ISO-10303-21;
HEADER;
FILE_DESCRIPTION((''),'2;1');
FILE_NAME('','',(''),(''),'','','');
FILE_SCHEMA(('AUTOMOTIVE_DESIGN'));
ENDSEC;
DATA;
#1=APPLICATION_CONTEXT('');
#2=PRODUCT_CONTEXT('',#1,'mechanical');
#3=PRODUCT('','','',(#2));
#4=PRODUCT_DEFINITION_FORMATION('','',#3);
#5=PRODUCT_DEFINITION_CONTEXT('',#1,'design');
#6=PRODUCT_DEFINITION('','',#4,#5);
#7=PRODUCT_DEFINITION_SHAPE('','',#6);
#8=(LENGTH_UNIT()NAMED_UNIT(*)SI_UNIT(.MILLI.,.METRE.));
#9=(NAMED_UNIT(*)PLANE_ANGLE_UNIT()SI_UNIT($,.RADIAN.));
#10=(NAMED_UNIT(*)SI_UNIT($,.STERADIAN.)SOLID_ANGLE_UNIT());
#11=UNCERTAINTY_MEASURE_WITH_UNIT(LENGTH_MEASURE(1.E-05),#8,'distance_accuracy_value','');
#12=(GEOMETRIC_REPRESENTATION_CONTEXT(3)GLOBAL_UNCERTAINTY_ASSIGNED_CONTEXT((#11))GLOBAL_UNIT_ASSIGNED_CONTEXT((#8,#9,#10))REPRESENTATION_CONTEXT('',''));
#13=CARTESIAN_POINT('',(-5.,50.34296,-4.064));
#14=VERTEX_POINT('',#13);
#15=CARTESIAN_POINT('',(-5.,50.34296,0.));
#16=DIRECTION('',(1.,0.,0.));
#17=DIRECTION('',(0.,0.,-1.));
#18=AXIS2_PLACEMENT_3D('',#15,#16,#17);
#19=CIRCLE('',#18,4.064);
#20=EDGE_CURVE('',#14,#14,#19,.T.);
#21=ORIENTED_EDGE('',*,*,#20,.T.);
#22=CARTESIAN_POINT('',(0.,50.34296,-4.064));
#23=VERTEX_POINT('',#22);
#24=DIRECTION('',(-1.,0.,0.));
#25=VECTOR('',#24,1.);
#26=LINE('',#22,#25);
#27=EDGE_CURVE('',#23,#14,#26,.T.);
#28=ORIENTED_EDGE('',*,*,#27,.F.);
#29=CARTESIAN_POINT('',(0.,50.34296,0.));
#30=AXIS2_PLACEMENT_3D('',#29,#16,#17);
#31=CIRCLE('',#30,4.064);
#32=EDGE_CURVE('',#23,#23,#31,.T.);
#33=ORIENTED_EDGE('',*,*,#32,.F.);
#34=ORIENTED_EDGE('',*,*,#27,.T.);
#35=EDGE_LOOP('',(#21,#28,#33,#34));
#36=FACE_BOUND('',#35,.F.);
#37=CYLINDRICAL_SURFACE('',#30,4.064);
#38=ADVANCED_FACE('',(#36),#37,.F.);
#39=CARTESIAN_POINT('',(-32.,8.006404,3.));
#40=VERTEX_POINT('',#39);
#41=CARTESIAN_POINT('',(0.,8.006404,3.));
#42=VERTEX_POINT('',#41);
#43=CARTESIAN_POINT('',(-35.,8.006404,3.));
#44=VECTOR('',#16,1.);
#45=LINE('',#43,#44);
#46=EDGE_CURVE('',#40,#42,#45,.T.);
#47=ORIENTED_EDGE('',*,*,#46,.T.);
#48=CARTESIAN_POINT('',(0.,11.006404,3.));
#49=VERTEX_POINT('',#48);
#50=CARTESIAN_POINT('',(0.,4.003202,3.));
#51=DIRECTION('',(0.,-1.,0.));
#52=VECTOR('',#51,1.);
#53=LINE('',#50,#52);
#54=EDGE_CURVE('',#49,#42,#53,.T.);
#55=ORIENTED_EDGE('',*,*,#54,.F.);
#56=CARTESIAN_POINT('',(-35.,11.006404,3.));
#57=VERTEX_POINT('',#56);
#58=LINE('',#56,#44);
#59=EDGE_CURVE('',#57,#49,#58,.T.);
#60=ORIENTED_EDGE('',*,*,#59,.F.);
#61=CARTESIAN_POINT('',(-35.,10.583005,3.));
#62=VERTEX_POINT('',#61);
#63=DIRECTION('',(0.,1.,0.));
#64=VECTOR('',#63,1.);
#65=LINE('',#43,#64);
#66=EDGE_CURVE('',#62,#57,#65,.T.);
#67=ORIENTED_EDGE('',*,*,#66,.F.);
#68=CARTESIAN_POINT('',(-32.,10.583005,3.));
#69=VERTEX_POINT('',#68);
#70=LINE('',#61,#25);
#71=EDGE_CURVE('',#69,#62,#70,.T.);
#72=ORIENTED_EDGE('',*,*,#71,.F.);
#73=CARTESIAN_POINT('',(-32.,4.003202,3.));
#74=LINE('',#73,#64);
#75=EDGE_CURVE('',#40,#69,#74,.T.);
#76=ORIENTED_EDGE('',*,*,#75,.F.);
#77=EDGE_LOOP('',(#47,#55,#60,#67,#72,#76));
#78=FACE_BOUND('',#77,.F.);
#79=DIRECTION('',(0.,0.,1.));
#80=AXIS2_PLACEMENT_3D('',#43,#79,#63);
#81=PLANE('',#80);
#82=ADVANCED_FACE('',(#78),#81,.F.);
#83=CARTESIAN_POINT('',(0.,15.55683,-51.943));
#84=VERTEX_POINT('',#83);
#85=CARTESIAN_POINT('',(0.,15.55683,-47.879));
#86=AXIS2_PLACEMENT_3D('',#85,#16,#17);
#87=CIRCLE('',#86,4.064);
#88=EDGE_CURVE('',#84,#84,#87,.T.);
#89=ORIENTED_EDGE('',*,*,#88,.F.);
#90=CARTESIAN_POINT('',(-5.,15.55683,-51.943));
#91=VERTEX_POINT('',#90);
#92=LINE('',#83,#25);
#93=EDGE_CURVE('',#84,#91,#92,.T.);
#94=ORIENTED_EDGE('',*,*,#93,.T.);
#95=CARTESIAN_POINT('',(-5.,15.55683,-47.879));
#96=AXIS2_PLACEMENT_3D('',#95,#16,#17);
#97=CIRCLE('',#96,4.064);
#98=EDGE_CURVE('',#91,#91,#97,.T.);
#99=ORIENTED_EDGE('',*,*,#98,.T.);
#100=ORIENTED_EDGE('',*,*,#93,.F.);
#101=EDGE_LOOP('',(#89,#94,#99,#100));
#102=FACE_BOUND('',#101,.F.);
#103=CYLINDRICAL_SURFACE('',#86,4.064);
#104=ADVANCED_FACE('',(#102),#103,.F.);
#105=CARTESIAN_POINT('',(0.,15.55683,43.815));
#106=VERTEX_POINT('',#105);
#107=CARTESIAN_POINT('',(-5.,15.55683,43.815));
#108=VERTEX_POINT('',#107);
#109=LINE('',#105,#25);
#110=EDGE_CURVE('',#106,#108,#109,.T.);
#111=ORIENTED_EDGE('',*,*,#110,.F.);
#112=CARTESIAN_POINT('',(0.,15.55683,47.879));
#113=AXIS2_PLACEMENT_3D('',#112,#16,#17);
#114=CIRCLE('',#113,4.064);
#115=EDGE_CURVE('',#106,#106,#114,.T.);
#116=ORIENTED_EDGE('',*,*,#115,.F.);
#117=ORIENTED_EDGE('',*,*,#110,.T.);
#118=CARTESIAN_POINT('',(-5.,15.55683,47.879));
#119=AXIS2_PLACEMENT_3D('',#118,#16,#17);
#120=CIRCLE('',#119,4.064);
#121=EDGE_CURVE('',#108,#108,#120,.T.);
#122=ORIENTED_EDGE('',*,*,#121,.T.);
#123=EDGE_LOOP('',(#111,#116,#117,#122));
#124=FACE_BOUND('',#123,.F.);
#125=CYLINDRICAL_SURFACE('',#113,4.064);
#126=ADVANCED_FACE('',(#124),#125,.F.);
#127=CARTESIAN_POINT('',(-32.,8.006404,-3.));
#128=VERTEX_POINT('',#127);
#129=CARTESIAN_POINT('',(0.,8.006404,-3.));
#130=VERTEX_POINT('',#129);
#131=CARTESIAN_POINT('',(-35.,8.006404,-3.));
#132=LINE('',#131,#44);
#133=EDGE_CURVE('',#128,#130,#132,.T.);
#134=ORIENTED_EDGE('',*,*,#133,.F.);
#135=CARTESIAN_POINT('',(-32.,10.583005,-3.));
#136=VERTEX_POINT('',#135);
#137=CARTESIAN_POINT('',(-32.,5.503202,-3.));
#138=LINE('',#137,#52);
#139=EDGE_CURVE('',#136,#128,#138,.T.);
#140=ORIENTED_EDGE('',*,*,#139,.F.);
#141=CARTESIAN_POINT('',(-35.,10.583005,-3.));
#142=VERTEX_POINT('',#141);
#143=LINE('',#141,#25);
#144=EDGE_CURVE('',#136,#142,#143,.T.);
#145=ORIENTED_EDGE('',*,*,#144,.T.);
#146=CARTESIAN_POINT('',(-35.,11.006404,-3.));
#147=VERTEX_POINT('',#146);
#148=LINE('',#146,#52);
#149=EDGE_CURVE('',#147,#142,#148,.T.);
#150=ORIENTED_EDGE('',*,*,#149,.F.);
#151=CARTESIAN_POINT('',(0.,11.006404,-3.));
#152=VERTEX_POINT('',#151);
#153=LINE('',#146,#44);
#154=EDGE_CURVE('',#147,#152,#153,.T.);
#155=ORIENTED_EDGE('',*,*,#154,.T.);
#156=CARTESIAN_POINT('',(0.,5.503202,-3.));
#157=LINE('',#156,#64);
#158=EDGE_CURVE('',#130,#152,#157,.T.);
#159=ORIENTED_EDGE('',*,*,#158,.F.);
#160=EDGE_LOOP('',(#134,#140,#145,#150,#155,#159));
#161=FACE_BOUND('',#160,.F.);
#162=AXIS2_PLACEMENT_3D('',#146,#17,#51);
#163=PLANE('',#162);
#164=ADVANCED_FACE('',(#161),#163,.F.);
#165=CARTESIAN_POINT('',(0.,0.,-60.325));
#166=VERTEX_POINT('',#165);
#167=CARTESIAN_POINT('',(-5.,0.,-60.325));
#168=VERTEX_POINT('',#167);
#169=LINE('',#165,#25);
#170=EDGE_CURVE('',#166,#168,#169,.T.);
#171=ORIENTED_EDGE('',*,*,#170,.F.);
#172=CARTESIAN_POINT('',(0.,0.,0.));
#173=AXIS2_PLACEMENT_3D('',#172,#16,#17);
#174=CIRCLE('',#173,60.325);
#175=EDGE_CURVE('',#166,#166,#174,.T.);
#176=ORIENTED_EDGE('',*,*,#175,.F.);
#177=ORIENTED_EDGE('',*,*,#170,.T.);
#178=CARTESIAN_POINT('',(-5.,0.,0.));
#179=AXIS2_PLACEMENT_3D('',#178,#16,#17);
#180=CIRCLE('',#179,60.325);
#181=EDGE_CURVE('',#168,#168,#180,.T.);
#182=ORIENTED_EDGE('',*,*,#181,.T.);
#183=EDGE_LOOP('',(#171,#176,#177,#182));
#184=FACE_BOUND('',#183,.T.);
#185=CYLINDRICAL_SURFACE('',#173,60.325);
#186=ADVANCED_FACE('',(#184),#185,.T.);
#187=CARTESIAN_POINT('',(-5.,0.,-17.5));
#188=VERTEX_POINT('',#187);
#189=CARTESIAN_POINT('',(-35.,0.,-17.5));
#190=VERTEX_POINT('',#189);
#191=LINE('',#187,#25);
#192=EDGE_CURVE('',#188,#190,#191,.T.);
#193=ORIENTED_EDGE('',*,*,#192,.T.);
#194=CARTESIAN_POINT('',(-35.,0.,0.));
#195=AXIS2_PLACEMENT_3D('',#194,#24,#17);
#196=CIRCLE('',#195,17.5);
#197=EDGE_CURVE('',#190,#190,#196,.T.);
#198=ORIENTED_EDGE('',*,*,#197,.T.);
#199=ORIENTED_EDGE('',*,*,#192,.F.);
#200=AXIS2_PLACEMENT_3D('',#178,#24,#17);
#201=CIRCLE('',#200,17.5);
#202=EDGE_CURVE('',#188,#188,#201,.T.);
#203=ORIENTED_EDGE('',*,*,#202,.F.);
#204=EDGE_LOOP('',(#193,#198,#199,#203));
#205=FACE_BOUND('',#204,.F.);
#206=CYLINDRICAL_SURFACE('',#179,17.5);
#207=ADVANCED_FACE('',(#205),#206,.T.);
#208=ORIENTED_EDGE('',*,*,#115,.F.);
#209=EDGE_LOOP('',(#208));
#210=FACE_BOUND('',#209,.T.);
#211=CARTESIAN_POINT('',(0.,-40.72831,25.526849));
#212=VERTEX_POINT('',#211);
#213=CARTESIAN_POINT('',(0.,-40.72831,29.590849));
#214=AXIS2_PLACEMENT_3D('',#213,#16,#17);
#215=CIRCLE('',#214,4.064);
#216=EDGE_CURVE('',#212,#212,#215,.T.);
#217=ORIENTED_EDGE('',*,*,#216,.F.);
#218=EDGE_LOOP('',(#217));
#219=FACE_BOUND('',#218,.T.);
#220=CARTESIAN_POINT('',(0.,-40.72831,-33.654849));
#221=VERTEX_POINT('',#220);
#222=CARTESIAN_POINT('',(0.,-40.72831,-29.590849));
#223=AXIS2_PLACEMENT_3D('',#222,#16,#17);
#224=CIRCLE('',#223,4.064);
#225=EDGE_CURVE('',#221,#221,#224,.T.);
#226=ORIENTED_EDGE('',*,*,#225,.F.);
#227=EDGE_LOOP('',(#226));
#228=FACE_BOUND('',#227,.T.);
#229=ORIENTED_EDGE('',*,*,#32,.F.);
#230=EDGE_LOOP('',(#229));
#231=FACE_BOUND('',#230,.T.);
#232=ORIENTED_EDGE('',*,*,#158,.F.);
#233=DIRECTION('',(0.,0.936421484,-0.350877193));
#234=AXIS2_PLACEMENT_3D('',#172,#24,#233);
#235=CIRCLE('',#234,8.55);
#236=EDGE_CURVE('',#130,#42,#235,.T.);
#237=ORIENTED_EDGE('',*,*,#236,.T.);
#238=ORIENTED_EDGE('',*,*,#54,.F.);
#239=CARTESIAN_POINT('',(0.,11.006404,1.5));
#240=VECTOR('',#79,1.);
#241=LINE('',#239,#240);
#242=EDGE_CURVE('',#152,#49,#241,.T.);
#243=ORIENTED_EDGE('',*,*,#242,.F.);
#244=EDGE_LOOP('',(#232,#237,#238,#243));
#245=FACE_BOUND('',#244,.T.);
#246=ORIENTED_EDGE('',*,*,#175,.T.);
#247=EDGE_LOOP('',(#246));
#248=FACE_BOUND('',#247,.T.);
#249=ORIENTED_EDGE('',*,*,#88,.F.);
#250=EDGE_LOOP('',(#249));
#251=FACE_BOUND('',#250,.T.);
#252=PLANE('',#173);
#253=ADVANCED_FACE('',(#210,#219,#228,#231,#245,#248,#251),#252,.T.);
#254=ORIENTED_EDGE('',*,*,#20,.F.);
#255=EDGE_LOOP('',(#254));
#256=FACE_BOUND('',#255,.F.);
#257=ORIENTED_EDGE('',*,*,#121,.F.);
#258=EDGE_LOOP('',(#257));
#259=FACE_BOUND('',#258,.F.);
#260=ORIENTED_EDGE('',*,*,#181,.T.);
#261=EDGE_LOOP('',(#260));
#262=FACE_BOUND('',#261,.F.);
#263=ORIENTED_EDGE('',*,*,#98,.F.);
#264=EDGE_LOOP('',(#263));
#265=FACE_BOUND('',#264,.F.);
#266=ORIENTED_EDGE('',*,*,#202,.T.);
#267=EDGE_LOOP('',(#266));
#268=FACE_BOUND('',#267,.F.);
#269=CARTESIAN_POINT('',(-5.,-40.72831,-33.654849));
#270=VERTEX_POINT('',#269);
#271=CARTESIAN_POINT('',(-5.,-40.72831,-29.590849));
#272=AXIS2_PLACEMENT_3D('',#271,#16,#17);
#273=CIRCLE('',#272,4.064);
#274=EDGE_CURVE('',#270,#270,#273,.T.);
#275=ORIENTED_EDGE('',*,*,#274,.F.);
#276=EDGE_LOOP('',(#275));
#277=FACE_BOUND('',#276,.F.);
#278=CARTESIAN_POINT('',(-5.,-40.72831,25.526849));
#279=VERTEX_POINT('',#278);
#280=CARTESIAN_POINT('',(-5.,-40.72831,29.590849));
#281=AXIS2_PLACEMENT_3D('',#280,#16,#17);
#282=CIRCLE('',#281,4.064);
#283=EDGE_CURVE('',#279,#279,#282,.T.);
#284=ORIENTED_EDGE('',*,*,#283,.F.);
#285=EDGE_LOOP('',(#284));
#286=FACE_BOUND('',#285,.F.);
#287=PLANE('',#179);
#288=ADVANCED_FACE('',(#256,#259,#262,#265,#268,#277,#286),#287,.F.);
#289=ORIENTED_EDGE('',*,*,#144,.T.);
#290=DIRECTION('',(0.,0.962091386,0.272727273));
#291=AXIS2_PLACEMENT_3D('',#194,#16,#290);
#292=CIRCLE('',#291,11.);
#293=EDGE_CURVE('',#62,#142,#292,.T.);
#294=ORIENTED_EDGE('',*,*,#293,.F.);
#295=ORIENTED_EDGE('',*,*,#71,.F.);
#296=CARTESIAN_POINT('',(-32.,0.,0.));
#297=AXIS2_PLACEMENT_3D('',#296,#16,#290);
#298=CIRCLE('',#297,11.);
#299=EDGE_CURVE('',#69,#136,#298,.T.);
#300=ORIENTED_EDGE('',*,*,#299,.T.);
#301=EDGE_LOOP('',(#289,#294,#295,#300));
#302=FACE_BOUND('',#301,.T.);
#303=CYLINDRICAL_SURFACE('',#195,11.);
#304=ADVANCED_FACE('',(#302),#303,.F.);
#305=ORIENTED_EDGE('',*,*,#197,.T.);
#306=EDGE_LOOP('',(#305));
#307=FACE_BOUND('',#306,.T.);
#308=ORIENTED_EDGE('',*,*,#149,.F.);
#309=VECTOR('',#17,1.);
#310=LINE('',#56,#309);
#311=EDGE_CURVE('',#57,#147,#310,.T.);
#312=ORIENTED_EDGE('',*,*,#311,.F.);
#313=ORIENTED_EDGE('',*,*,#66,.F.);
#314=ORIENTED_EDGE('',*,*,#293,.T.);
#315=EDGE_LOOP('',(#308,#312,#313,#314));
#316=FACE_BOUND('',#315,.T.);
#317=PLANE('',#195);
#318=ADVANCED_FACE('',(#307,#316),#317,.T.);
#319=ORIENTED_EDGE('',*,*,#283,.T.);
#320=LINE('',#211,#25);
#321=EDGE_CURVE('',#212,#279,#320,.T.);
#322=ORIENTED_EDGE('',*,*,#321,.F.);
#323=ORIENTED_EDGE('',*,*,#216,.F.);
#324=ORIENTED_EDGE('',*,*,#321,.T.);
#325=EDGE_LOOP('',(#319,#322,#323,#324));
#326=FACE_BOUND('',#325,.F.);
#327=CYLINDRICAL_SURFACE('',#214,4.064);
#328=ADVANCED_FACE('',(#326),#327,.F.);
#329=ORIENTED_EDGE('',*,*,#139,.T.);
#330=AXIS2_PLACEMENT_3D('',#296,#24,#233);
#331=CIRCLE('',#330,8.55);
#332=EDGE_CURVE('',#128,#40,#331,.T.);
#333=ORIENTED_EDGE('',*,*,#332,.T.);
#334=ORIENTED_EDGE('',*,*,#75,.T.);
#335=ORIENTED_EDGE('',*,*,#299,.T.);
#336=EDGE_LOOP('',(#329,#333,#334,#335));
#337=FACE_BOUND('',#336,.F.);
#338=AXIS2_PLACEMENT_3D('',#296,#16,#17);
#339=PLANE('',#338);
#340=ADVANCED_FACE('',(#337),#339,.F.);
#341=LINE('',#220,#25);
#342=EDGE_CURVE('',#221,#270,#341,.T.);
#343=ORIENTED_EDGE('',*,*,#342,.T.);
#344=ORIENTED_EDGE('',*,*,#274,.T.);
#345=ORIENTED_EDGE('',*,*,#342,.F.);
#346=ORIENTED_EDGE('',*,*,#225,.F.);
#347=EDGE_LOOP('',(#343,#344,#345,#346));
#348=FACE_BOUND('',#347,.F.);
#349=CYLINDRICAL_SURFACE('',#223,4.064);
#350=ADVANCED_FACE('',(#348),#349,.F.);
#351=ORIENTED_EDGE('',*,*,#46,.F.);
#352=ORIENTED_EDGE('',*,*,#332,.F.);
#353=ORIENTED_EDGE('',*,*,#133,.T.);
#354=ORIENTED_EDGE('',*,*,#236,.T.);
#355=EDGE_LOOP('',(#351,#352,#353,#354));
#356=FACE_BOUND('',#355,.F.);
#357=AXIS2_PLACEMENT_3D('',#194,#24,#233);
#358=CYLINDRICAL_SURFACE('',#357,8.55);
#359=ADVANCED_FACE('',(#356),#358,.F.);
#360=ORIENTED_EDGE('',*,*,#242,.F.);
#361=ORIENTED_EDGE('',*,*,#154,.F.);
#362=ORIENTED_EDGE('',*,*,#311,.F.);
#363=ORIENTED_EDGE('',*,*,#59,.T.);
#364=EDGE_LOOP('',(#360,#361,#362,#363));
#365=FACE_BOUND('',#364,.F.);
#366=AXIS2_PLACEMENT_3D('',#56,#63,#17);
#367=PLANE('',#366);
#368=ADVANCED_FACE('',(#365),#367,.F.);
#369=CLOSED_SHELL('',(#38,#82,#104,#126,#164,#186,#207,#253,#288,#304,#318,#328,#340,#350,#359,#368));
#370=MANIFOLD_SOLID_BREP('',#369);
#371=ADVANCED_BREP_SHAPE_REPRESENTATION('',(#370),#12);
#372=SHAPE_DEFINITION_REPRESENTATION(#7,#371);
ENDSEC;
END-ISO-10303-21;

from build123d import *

# Parameters (mm, degrees)
SKETCH1_R                           = 60.325
BOSS_EXTRUDE1_DEPTH                 = 5
SKETCH2_R                           = 4.064
CUT_EXTRUDE1_DEPTH                  = 86.458827806
SKETCH11_R                          = 17.5
BOSS_EXTRUDE3_DEPTH                 = 30
CUT_EXTRUDE5_DEPTH                  = 93.212858377
SKETCH13_R                          = 11
CUT_MOTORSHOULDERRECESS_D22X3_DEPTH = 3


with BuildPart() as part:
    # Sketch1 → Boss-Extrude1 (new body)
    with BuildSketch(Plane(origin=(0, 0, 0), x_dir=(0, 0, -1), z_dir=(1, 0, 0))):
        Circle(SKETCH1_R)
    extrude(amount=-BOSS_EXTRUDE1_DEPTH)

    # Sketch2 → Cut-Extrude1 (cut, through all)
    with BuildSketch(Plane(origin=(0, 0, 0), x_dir=(0, 0, -1), z_dir=(1, 0, 0))):
        with Locations((0, 50.342959834)):
            Circle(SKETCH2_R)
        with Locations((47.879, 15.556830136)):
            Circle(SKETCH2_R)
        with Locations((29.590849347, -40.728310053)):
            Circle(SKETCH2_R)
        with Locations((-29.590849347, -40.728310053)):
            Circle(SKETCH2_R)
        with Locations((-47.879, 15.556830136)):
            Circle(SKETCH2_R)
    extrude(amount=-CUT_EXTRUDE1_DEPTH, mode=Mode.SUBTRACT)

    # Sketch11 → Boss-Extrude3 (add)
    with BuildSketch(Plane.ZY.offset(5)):
        with Locations(Location((0, 0, 0), (0, 0, 180))):
            Circle(SKETCH11_R)
    extrude(amount=BOSS_EXTRUDE3_DEPTH)

    # Sketch12 → Cut-Extrude5 (cut, through all)
    with BuildSketch(Plane.ZY.offset(35)):
        with BuildLine():
            Line((0, 11.006403687), (-3, 11.006403687))
            Line((-3, 11.006403687), (-3, 8.006403687))
            ThreePointArc((-3, 8.006403687), (0, -8.55), (3, 8.006403687))
            Line((3, 8.006403687), (3, 11.006403687))
            Line((3, 11.006403687), (0, 11.006403687))
        make_face()
    extrude(amount=-CUT_EXTRUDE5_DEPTH, mode=Mode.SUBTRACT)

    # Sketch13 → Cut_MotorShoulderRecess_D22x3 (cut)
    with BuildSketch(Plane(origin=(-35, 0, 0), x_dir=(0, 0, -1), z_dir=(1, 0, 0))):
        Circle(SKETCH13_R)
    extrude(amount=CUT_MOTORSHOULDERRECESS_D22X3_DEPTH, mode=Mode.SUBTRACT)


solid = part.part
